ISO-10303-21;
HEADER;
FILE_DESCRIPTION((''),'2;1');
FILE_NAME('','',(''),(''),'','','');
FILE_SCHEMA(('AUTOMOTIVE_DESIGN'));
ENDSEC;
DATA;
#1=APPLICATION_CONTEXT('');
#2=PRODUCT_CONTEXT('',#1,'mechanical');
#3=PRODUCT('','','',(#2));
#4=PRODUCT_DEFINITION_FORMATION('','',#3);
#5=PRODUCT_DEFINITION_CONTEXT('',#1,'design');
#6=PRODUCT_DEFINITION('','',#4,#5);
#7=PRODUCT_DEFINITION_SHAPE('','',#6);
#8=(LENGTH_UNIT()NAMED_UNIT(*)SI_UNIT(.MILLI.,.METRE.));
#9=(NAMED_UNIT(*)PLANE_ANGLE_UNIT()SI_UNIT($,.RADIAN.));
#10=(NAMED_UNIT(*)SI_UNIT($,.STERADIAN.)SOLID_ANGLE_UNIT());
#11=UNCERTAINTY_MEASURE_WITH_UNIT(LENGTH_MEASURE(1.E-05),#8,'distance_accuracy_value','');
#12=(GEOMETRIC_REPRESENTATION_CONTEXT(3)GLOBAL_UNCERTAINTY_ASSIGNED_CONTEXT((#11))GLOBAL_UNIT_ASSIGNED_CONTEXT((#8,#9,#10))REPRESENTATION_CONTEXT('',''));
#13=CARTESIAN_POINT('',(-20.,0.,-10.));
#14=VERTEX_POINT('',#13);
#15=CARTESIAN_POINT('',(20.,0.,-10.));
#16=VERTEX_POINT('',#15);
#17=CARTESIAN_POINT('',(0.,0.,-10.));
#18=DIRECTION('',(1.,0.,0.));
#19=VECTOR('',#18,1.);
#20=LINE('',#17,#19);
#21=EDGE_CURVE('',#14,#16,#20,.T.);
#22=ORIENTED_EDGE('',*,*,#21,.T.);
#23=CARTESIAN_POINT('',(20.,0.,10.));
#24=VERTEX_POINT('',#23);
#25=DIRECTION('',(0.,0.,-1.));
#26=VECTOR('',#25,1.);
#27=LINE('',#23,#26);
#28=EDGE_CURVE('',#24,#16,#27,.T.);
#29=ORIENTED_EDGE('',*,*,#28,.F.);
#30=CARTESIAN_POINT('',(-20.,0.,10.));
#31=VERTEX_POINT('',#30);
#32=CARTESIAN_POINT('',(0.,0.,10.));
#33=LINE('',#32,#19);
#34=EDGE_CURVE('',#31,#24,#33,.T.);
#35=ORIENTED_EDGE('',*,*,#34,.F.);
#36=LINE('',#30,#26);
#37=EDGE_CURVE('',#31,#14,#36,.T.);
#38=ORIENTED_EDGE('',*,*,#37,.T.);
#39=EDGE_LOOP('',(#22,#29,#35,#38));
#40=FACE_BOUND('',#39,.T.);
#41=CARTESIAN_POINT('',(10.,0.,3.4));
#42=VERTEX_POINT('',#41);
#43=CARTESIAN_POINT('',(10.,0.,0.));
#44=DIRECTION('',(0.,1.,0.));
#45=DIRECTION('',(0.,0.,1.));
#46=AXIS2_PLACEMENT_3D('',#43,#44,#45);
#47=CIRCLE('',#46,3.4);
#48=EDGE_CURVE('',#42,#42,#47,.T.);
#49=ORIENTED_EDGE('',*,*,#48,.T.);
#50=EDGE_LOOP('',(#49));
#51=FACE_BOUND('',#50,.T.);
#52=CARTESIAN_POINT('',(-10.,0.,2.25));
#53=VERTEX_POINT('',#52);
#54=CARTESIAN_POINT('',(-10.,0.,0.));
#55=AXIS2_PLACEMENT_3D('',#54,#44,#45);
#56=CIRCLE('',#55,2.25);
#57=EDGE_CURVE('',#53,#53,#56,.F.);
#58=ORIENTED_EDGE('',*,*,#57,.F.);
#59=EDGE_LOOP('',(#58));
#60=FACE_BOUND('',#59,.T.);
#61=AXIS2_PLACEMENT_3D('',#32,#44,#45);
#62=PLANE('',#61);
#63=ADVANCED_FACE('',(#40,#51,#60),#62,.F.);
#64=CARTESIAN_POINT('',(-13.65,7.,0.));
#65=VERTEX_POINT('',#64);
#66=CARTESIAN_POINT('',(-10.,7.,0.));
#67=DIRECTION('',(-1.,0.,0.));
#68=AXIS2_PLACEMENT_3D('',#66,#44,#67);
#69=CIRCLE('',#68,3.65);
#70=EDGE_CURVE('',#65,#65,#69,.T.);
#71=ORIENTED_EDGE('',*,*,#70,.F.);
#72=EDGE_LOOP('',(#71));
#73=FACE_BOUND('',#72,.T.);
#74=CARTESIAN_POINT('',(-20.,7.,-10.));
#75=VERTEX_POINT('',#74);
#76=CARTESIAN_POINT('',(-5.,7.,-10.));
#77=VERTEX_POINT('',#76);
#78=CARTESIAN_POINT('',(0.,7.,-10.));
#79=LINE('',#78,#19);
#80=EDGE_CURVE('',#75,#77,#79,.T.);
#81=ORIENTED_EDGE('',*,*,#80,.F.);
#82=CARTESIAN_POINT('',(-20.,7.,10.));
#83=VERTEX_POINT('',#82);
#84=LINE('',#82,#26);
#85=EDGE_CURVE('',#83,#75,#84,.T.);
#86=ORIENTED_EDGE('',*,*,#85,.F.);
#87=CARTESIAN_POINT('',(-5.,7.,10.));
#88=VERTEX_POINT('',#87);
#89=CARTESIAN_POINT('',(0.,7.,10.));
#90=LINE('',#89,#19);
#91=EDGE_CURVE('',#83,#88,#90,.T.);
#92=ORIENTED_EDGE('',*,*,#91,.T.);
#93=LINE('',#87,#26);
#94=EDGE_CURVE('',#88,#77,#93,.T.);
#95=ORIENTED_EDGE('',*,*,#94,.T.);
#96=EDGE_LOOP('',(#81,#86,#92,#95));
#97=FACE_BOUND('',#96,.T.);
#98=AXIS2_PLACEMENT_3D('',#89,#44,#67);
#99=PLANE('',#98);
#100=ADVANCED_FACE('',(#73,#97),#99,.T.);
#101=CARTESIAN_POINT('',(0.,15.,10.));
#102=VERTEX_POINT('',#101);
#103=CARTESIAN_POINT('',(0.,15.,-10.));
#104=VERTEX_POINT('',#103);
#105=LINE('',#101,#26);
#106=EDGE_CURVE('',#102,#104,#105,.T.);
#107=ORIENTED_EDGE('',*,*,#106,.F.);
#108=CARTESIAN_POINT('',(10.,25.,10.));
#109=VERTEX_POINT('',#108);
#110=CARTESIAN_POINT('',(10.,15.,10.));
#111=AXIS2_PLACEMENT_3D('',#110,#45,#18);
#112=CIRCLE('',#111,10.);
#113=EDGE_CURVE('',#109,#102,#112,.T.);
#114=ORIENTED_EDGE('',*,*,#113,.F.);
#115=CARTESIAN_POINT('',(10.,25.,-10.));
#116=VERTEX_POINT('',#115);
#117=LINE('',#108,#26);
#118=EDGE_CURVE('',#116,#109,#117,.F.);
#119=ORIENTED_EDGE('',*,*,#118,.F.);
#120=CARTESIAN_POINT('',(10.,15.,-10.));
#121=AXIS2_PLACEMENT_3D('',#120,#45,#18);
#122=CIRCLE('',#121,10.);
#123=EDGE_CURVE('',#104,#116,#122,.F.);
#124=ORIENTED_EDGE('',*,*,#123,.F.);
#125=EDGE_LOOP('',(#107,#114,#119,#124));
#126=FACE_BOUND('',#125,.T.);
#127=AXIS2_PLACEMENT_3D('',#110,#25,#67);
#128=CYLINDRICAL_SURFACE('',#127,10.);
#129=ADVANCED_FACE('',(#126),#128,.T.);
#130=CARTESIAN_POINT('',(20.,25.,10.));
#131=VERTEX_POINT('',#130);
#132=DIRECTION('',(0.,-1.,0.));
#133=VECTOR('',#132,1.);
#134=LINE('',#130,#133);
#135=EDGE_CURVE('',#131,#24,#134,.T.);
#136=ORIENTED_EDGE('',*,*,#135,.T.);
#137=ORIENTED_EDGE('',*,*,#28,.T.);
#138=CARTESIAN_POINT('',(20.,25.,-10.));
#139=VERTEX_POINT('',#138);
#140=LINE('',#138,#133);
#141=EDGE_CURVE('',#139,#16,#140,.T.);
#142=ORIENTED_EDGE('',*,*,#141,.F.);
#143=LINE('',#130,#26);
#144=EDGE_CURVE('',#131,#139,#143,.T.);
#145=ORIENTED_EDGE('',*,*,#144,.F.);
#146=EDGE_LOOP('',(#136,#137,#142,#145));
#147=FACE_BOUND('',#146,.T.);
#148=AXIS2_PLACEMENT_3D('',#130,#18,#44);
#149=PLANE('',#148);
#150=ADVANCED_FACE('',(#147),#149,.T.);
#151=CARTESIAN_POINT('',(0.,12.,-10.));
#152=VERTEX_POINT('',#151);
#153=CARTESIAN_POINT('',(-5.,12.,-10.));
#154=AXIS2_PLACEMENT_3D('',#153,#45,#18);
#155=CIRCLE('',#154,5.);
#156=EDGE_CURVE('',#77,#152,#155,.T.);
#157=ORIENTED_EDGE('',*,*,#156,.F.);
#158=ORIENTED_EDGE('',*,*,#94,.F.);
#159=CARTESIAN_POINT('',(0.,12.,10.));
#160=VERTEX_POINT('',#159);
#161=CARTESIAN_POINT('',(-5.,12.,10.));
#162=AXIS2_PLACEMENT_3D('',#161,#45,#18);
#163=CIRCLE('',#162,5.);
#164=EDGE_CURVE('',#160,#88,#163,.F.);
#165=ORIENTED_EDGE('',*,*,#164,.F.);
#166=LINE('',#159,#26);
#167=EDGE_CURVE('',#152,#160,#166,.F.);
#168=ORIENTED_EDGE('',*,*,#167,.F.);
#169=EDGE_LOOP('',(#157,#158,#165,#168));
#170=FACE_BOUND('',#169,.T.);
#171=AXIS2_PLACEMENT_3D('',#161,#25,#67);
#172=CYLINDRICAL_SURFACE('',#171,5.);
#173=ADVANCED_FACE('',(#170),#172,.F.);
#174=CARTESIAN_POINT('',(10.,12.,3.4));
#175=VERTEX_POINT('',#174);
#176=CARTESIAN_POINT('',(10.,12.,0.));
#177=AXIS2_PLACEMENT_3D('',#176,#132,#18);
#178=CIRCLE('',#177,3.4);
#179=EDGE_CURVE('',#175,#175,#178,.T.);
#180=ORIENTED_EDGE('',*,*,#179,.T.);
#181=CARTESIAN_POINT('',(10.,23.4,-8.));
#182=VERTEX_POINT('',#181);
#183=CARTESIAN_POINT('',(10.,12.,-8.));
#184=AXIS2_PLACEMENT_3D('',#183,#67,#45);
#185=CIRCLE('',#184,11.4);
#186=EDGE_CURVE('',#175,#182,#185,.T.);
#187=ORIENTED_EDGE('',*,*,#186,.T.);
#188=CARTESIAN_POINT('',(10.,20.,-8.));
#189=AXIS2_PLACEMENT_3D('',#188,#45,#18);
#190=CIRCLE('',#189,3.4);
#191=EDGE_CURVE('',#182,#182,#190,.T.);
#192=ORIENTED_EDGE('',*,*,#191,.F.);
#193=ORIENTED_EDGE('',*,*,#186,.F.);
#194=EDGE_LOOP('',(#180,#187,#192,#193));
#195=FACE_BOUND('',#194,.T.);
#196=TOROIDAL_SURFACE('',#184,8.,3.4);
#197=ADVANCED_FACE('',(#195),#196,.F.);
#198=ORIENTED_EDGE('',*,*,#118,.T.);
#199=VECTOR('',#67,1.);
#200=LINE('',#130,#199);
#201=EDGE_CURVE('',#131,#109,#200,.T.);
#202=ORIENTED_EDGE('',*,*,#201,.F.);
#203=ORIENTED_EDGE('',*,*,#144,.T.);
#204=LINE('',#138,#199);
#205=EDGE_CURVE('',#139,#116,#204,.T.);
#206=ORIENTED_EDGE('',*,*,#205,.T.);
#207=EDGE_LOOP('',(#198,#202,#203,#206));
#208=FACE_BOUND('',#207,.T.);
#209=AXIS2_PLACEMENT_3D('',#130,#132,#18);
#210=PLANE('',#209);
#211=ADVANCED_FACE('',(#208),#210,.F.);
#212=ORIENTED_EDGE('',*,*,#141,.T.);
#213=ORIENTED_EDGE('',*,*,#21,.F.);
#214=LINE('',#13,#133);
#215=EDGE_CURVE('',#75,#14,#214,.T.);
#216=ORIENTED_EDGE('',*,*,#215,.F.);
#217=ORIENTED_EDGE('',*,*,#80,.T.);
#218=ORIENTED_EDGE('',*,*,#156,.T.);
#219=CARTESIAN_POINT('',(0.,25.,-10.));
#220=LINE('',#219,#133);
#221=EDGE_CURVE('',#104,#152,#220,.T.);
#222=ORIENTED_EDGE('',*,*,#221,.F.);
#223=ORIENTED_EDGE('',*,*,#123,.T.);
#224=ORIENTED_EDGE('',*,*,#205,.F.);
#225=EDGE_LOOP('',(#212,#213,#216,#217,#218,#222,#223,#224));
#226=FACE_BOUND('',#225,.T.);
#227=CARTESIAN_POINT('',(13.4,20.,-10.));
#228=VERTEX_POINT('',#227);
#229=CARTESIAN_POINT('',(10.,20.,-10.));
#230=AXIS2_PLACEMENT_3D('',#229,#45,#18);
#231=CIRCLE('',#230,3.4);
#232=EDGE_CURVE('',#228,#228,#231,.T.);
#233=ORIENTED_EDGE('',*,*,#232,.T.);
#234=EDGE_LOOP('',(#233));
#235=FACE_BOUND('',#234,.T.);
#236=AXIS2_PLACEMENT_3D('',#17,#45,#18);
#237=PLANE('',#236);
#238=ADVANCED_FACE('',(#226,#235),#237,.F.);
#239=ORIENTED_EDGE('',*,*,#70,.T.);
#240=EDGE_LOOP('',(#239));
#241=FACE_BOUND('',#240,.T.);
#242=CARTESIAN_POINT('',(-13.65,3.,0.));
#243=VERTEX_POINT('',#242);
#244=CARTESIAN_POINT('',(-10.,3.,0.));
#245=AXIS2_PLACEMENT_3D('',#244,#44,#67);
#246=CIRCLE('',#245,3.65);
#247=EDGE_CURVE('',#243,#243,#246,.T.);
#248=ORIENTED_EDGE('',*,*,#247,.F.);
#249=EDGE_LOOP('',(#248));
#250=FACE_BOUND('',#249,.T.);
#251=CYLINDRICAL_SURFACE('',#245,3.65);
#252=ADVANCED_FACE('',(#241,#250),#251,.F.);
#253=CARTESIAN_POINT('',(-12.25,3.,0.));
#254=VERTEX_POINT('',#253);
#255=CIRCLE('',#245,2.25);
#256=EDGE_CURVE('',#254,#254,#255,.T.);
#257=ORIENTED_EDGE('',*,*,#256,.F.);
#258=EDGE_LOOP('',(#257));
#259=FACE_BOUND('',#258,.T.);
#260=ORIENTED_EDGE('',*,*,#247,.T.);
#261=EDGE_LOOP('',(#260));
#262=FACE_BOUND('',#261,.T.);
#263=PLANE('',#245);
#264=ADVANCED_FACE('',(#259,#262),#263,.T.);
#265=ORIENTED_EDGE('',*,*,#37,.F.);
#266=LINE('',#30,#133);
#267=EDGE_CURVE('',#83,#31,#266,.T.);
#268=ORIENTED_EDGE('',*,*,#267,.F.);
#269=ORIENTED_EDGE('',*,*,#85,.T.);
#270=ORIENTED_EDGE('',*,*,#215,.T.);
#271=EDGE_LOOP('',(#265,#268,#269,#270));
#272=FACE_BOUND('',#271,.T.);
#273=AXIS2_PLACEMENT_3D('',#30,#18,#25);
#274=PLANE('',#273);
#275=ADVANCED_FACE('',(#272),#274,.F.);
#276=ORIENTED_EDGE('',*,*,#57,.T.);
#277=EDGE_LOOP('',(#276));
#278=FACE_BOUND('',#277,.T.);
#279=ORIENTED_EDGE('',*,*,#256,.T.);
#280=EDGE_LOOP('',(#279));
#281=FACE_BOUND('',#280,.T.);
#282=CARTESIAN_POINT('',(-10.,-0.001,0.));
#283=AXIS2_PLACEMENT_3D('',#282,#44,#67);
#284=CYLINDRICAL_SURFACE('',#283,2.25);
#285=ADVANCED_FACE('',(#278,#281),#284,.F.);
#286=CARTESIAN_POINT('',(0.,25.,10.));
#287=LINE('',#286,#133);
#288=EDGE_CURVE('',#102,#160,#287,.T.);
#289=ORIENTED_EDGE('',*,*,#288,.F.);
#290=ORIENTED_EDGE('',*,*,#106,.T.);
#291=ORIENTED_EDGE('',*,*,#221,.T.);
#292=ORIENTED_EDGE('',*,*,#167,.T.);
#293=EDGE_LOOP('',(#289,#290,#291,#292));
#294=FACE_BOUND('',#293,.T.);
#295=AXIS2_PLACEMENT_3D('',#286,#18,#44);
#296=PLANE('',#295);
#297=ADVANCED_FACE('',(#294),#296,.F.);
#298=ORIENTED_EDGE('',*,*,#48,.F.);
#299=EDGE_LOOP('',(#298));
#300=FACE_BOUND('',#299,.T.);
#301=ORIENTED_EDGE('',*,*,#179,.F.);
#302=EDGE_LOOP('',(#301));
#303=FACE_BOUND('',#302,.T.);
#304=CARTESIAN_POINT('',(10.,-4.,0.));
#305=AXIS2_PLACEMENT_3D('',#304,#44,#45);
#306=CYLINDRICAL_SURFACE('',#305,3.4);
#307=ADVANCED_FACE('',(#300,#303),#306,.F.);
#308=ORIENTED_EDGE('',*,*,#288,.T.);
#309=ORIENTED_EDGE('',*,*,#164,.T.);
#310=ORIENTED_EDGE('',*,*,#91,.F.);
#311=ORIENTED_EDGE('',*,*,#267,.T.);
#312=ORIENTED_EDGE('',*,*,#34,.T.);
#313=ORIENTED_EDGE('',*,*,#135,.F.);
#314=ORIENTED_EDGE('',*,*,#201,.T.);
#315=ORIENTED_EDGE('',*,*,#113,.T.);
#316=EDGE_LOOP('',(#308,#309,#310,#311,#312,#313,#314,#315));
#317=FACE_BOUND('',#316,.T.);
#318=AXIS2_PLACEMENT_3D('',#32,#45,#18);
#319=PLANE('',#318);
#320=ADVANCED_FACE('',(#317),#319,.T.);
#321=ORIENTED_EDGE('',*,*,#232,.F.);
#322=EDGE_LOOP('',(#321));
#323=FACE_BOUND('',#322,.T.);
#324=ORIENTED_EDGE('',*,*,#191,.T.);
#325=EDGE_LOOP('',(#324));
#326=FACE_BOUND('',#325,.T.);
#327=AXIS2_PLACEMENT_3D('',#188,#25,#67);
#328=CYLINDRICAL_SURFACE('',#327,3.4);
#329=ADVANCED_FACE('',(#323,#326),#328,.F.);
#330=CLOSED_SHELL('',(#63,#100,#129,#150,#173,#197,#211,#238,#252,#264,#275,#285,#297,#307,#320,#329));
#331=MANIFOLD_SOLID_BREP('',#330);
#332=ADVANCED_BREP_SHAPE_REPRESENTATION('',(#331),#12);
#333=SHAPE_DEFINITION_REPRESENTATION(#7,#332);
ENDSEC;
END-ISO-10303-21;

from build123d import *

# Parameters (mm, degrees)
EXTRUDE_1_DEPTH     = 10
SKETCH_2_R          = 3.65
CUT_EXTRUDE_1_DEPTH = 4
CUT_EXTRUDE_2_REACH = 5
SKETCH_3_R          = 2.25
SKETCH_4_R          = 3.4
FILLET_1_R          = 5
FILLET_2_R          = 10


with BuildPart() as part:
    # 草圖1 → 填料-伸長1 (new body, symmetric)
    with BuildSketch(Plane.XY):
        Polygon((20, 0), (20, 25), (0, 25), (0, 7), (-20, 7), (-20, 0), align=None)
    extrude(amount=EXTRUDE_1_DEPTH, both=True)

    # 草圖2 → 除料-伸長1 (cut)
    with BuildSketch(Plane(origin=(0, 7, 0), x_dir=(1, 0, 0), z_dir=(0, 1, 0))):
        with Locations((-10, 0)):
            Circle(SKETCH_2_R)
    extrude(amount=-CUT_EXTRUDE_1_DEPTH, mode=Mode.SUBTRACT)

    # 草圖3 → 除料-伸長2 (cut, up to next)
    with BuildSketch(Plane(origin=(0, 3, 0), x_dir=(1, 0, 0), z_dir=(0, 1, 0)), mode=Mode.PRIVATE) as cut_extrude_2_sk1:
        with Locations((-10, 0)):
            Circle(SKETCH_3_R)
    cut_extrude_2_tool1 = extrude(cut_extrude_2_sk1.sketch, amount=-CUT_EXTRUDE_2_REACH, mode=Mode.PRIVATE) & part.part
    add(cut_extrude_2_tool1.solids().sort_by_distance((-10, 3, 0))[0], mode=Mode.SUBTRACT)

    # 除料-掃出1: sweep along a path in 草圖5
    with BuildLine(Plane(origin=(10, 0, 10), x_dir=(0, 0, -1), z_dir=(1, 0, 0))) as sweep_1_path:
        Line((10, 0), (10, 12))
        ThreePointArc((10, 12), (12.343145751, 17.656854249), (18, 20))
        Line((18, 20), (20, 20))
    # 草圖4 → 除料-掃出1 (sweep, cut)
    with BuildSketch(Plane.XZ):
        with Locations((10, 0)):
            Circle(SKETCH_4_R)
    sweep(path=sweep_1_path.line, mode=Mode.SUBTRACT)

    # 圓角1
    fillet_1_edges = [part.edges().sort_by_distance(p)[0] for p in [
        (0, 7, 0),
    ]]
    fillet(fillet_1_edges, radius=FILLET_1_R)

    # 圓角2
    fillet_2_edges = [part.edges().sort_by_distance(p)[0] for p in [
        (0, 25, 0),
    ]]
    fillet(fillet_2_edges, radius=FILLET_2_R)


solid = part.part
